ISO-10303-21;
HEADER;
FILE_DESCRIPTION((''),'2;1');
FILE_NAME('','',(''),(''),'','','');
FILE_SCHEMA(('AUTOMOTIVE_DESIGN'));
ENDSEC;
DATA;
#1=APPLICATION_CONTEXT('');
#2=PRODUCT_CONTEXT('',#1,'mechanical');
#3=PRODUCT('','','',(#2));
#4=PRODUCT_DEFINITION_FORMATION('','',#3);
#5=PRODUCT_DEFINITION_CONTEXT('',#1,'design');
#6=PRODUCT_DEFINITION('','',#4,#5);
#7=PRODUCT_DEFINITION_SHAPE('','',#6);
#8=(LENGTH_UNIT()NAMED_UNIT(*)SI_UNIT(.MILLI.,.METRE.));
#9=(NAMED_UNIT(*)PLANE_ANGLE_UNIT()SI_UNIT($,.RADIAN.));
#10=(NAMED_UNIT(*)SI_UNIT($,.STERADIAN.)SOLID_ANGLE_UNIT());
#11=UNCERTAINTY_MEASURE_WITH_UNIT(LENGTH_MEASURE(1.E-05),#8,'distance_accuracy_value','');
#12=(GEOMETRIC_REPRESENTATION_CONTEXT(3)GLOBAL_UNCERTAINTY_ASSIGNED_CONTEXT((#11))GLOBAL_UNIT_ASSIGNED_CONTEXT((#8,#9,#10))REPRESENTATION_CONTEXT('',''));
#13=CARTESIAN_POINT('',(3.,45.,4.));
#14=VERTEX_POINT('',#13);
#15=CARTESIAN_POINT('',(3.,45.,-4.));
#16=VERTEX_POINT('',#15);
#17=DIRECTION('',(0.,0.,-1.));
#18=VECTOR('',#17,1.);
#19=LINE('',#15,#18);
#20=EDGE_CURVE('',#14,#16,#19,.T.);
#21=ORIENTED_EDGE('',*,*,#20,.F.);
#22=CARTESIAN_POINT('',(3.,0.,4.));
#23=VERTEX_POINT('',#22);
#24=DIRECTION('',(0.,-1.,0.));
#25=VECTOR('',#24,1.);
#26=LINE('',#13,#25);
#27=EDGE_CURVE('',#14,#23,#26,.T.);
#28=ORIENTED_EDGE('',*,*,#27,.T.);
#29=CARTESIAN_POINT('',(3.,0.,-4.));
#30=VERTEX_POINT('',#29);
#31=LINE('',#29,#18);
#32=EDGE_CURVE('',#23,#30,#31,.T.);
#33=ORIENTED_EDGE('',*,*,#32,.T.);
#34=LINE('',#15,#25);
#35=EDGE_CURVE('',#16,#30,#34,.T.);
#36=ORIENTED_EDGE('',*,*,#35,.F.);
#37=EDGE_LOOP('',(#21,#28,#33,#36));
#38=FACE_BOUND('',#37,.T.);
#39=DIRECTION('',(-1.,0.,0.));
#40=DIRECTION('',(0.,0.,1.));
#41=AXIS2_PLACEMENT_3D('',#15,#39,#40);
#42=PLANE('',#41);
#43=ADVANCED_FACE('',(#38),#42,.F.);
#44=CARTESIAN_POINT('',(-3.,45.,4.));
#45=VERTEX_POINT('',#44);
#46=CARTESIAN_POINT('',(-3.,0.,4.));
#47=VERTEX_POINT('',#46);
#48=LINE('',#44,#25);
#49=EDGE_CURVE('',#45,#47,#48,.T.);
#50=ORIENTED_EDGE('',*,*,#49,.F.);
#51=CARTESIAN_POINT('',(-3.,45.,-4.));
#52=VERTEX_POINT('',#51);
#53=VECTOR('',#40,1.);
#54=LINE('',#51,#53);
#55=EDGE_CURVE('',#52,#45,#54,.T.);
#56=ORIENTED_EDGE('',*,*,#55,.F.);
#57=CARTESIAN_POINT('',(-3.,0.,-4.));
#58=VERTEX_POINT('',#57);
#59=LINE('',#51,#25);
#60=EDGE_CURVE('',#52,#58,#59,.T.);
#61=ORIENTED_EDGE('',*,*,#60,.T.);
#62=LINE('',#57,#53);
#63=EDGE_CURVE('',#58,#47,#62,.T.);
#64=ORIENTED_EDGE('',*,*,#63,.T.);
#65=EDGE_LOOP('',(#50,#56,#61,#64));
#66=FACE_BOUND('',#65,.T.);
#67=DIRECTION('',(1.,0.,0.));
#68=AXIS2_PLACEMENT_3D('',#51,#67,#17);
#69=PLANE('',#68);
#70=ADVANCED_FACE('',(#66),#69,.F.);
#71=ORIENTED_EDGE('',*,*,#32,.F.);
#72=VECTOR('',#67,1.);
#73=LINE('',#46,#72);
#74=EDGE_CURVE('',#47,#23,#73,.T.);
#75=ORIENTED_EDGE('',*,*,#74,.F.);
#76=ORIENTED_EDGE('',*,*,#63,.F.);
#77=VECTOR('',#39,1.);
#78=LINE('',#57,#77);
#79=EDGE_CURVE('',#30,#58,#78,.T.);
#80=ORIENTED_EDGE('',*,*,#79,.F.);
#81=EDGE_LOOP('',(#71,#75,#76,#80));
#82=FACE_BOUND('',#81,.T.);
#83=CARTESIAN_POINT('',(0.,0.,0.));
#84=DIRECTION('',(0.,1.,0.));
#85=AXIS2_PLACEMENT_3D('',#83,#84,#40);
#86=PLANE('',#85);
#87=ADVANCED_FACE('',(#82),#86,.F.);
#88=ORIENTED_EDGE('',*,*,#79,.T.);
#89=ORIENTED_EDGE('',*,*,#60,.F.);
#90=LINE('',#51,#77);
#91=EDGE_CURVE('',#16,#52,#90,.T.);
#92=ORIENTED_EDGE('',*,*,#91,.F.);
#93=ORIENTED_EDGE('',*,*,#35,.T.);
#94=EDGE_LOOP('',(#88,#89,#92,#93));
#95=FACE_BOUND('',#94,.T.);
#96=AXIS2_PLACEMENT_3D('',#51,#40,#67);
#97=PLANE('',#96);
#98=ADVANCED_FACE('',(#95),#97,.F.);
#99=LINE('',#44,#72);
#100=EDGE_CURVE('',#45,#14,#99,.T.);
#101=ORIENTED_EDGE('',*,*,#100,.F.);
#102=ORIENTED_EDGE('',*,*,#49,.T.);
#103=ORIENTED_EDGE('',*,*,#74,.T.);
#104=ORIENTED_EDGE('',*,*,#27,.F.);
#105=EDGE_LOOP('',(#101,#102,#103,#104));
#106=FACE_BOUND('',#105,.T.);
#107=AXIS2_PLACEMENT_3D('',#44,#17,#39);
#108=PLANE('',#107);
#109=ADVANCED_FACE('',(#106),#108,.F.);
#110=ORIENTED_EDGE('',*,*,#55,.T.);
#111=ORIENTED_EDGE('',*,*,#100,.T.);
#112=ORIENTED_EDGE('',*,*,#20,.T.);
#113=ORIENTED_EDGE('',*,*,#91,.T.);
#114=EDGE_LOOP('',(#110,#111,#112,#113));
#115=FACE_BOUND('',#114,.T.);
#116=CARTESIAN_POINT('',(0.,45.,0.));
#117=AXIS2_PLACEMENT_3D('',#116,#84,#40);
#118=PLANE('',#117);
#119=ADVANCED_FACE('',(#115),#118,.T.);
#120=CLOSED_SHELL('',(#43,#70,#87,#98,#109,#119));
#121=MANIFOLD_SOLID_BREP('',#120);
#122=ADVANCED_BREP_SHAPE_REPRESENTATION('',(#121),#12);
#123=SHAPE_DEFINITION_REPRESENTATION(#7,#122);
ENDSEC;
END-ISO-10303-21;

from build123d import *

# Parameters (mm, degrees)
SKETCH1_W           = 6
SKETCH1_H           = 8
BOSS_EXTRUDE1_DEPTH = 45


with BuildPart() as part:
    # Sketch1 → Boss-Extrude1 (new body)
    with BuildSketch(Plane(origin=(0, 0, 0), x_dir=(1, 0, 0), z_dir=(0, 1, 0))):
        Rectangle(SKETCH1_W, SKETCH1_H)
    extrude(amount=BOSS_EXTRUDE1_DEPTH)


solid = part.part
